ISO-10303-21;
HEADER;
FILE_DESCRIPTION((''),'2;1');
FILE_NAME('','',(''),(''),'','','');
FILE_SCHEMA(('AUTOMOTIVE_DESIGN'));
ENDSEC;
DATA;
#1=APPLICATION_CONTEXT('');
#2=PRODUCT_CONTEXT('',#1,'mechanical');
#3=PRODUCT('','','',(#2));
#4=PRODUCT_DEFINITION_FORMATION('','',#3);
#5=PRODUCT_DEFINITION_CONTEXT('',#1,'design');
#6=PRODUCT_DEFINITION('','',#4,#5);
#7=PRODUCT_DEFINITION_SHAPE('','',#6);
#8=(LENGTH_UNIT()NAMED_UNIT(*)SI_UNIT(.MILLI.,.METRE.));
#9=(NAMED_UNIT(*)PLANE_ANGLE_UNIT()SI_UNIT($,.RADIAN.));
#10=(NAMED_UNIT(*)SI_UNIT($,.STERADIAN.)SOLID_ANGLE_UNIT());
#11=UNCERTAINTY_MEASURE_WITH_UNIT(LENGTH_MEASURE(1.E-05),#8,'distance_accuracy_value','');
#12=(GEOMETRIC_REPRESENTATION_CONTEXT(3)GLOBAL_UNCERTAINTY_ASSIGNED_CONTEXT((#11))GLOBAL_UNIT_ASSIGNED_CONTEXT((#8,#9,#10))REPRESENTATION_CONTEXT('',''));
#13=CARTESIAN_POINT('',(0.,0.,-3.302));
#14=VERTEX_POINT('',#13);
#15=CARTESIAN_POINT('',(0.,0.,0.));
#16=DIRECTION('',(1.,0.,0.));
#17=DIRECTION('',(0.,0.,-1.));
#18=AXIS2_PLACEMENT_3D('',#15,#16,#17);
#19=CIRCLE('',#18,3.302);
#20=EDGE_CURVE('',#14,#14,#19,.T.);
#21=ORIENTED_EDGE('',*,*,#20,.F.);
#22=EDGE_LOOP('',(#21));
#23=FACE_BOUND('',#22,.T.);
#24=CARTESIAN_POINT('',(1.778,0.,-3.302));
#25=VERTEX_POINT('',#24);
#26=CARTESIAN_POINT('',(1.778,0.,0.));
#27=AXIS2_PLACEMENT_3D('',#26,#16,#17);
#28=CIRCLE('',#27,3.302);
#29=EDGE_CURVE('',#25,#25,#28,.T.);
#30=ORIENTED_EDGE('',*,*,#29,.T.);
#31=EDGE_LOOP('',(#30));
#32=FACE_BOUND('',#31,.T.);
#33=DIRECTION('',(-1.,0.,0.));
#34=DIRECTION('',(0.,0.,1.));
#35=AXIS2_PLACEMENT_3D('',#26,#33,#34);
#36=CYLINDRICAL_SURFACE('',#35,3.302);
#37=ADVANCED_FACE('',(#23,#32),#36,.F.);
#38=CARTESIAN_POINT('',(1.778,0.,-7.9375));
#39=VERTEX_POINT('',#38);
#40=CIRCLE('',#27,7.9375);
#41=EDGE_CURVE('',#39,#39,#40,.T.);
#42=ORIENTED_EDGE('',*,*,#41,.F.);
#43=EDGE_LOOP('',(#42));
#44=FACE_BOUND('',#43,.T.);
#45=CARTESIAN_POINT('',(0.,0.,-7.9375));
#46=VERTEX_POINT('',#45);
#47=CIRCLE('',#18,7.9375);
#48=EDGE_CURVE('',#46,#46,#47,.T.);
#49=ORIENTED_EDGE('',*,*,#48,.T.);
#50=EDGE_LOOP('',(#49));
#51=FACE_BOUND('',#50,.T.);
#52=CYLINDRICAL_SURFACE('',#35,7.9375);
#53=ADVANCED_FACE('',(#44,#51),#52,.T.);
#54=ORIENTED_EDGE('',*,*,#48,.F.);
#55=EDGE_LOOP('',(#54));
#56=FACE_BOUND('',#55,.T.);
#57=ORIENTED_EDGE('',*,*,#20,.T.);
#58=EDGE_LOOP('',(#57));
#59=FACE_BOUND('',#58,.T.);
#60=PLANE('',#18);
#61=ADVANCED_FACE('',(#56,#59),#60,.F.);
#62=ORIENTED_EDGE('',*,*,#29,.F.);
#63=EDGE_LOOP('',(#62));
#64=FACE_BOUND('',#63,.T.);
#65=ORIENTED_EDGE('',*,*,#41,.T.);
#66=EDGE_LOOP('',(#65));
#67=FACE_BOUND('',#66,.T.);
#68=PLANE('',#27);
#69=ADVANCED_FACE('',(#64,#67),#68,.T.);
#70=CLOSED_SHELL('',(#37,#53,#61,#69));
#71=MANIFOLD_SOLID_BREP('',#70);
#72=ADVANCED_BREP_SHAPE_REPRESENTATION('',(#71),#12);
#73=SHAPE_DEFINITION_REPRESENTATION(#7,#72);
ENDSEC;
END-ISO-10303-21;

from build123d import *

# Parameters (mm, degrees)
SKETCH1_R           = 7.9375
SKETCH1_R_2         = 3.302
BOSS_EXTRUDE1_DEPTH = 1.778


with BuildPart() as part:
    # Sketch1 → Boss-Extrude1 (new body)
    with BuildSketch(Plane(origin=(0, 0, 0), x_dir=(0, 0, -1), z_dir=(1, 0, 0))):
        Circle(SKETCH1_R)
        Circle(SKETCH1_R_2, mode=Mode.SUBTRACT)
    extrude(amount=BOSS_EXTRUDE1_DEPTH)


solid = part.part
